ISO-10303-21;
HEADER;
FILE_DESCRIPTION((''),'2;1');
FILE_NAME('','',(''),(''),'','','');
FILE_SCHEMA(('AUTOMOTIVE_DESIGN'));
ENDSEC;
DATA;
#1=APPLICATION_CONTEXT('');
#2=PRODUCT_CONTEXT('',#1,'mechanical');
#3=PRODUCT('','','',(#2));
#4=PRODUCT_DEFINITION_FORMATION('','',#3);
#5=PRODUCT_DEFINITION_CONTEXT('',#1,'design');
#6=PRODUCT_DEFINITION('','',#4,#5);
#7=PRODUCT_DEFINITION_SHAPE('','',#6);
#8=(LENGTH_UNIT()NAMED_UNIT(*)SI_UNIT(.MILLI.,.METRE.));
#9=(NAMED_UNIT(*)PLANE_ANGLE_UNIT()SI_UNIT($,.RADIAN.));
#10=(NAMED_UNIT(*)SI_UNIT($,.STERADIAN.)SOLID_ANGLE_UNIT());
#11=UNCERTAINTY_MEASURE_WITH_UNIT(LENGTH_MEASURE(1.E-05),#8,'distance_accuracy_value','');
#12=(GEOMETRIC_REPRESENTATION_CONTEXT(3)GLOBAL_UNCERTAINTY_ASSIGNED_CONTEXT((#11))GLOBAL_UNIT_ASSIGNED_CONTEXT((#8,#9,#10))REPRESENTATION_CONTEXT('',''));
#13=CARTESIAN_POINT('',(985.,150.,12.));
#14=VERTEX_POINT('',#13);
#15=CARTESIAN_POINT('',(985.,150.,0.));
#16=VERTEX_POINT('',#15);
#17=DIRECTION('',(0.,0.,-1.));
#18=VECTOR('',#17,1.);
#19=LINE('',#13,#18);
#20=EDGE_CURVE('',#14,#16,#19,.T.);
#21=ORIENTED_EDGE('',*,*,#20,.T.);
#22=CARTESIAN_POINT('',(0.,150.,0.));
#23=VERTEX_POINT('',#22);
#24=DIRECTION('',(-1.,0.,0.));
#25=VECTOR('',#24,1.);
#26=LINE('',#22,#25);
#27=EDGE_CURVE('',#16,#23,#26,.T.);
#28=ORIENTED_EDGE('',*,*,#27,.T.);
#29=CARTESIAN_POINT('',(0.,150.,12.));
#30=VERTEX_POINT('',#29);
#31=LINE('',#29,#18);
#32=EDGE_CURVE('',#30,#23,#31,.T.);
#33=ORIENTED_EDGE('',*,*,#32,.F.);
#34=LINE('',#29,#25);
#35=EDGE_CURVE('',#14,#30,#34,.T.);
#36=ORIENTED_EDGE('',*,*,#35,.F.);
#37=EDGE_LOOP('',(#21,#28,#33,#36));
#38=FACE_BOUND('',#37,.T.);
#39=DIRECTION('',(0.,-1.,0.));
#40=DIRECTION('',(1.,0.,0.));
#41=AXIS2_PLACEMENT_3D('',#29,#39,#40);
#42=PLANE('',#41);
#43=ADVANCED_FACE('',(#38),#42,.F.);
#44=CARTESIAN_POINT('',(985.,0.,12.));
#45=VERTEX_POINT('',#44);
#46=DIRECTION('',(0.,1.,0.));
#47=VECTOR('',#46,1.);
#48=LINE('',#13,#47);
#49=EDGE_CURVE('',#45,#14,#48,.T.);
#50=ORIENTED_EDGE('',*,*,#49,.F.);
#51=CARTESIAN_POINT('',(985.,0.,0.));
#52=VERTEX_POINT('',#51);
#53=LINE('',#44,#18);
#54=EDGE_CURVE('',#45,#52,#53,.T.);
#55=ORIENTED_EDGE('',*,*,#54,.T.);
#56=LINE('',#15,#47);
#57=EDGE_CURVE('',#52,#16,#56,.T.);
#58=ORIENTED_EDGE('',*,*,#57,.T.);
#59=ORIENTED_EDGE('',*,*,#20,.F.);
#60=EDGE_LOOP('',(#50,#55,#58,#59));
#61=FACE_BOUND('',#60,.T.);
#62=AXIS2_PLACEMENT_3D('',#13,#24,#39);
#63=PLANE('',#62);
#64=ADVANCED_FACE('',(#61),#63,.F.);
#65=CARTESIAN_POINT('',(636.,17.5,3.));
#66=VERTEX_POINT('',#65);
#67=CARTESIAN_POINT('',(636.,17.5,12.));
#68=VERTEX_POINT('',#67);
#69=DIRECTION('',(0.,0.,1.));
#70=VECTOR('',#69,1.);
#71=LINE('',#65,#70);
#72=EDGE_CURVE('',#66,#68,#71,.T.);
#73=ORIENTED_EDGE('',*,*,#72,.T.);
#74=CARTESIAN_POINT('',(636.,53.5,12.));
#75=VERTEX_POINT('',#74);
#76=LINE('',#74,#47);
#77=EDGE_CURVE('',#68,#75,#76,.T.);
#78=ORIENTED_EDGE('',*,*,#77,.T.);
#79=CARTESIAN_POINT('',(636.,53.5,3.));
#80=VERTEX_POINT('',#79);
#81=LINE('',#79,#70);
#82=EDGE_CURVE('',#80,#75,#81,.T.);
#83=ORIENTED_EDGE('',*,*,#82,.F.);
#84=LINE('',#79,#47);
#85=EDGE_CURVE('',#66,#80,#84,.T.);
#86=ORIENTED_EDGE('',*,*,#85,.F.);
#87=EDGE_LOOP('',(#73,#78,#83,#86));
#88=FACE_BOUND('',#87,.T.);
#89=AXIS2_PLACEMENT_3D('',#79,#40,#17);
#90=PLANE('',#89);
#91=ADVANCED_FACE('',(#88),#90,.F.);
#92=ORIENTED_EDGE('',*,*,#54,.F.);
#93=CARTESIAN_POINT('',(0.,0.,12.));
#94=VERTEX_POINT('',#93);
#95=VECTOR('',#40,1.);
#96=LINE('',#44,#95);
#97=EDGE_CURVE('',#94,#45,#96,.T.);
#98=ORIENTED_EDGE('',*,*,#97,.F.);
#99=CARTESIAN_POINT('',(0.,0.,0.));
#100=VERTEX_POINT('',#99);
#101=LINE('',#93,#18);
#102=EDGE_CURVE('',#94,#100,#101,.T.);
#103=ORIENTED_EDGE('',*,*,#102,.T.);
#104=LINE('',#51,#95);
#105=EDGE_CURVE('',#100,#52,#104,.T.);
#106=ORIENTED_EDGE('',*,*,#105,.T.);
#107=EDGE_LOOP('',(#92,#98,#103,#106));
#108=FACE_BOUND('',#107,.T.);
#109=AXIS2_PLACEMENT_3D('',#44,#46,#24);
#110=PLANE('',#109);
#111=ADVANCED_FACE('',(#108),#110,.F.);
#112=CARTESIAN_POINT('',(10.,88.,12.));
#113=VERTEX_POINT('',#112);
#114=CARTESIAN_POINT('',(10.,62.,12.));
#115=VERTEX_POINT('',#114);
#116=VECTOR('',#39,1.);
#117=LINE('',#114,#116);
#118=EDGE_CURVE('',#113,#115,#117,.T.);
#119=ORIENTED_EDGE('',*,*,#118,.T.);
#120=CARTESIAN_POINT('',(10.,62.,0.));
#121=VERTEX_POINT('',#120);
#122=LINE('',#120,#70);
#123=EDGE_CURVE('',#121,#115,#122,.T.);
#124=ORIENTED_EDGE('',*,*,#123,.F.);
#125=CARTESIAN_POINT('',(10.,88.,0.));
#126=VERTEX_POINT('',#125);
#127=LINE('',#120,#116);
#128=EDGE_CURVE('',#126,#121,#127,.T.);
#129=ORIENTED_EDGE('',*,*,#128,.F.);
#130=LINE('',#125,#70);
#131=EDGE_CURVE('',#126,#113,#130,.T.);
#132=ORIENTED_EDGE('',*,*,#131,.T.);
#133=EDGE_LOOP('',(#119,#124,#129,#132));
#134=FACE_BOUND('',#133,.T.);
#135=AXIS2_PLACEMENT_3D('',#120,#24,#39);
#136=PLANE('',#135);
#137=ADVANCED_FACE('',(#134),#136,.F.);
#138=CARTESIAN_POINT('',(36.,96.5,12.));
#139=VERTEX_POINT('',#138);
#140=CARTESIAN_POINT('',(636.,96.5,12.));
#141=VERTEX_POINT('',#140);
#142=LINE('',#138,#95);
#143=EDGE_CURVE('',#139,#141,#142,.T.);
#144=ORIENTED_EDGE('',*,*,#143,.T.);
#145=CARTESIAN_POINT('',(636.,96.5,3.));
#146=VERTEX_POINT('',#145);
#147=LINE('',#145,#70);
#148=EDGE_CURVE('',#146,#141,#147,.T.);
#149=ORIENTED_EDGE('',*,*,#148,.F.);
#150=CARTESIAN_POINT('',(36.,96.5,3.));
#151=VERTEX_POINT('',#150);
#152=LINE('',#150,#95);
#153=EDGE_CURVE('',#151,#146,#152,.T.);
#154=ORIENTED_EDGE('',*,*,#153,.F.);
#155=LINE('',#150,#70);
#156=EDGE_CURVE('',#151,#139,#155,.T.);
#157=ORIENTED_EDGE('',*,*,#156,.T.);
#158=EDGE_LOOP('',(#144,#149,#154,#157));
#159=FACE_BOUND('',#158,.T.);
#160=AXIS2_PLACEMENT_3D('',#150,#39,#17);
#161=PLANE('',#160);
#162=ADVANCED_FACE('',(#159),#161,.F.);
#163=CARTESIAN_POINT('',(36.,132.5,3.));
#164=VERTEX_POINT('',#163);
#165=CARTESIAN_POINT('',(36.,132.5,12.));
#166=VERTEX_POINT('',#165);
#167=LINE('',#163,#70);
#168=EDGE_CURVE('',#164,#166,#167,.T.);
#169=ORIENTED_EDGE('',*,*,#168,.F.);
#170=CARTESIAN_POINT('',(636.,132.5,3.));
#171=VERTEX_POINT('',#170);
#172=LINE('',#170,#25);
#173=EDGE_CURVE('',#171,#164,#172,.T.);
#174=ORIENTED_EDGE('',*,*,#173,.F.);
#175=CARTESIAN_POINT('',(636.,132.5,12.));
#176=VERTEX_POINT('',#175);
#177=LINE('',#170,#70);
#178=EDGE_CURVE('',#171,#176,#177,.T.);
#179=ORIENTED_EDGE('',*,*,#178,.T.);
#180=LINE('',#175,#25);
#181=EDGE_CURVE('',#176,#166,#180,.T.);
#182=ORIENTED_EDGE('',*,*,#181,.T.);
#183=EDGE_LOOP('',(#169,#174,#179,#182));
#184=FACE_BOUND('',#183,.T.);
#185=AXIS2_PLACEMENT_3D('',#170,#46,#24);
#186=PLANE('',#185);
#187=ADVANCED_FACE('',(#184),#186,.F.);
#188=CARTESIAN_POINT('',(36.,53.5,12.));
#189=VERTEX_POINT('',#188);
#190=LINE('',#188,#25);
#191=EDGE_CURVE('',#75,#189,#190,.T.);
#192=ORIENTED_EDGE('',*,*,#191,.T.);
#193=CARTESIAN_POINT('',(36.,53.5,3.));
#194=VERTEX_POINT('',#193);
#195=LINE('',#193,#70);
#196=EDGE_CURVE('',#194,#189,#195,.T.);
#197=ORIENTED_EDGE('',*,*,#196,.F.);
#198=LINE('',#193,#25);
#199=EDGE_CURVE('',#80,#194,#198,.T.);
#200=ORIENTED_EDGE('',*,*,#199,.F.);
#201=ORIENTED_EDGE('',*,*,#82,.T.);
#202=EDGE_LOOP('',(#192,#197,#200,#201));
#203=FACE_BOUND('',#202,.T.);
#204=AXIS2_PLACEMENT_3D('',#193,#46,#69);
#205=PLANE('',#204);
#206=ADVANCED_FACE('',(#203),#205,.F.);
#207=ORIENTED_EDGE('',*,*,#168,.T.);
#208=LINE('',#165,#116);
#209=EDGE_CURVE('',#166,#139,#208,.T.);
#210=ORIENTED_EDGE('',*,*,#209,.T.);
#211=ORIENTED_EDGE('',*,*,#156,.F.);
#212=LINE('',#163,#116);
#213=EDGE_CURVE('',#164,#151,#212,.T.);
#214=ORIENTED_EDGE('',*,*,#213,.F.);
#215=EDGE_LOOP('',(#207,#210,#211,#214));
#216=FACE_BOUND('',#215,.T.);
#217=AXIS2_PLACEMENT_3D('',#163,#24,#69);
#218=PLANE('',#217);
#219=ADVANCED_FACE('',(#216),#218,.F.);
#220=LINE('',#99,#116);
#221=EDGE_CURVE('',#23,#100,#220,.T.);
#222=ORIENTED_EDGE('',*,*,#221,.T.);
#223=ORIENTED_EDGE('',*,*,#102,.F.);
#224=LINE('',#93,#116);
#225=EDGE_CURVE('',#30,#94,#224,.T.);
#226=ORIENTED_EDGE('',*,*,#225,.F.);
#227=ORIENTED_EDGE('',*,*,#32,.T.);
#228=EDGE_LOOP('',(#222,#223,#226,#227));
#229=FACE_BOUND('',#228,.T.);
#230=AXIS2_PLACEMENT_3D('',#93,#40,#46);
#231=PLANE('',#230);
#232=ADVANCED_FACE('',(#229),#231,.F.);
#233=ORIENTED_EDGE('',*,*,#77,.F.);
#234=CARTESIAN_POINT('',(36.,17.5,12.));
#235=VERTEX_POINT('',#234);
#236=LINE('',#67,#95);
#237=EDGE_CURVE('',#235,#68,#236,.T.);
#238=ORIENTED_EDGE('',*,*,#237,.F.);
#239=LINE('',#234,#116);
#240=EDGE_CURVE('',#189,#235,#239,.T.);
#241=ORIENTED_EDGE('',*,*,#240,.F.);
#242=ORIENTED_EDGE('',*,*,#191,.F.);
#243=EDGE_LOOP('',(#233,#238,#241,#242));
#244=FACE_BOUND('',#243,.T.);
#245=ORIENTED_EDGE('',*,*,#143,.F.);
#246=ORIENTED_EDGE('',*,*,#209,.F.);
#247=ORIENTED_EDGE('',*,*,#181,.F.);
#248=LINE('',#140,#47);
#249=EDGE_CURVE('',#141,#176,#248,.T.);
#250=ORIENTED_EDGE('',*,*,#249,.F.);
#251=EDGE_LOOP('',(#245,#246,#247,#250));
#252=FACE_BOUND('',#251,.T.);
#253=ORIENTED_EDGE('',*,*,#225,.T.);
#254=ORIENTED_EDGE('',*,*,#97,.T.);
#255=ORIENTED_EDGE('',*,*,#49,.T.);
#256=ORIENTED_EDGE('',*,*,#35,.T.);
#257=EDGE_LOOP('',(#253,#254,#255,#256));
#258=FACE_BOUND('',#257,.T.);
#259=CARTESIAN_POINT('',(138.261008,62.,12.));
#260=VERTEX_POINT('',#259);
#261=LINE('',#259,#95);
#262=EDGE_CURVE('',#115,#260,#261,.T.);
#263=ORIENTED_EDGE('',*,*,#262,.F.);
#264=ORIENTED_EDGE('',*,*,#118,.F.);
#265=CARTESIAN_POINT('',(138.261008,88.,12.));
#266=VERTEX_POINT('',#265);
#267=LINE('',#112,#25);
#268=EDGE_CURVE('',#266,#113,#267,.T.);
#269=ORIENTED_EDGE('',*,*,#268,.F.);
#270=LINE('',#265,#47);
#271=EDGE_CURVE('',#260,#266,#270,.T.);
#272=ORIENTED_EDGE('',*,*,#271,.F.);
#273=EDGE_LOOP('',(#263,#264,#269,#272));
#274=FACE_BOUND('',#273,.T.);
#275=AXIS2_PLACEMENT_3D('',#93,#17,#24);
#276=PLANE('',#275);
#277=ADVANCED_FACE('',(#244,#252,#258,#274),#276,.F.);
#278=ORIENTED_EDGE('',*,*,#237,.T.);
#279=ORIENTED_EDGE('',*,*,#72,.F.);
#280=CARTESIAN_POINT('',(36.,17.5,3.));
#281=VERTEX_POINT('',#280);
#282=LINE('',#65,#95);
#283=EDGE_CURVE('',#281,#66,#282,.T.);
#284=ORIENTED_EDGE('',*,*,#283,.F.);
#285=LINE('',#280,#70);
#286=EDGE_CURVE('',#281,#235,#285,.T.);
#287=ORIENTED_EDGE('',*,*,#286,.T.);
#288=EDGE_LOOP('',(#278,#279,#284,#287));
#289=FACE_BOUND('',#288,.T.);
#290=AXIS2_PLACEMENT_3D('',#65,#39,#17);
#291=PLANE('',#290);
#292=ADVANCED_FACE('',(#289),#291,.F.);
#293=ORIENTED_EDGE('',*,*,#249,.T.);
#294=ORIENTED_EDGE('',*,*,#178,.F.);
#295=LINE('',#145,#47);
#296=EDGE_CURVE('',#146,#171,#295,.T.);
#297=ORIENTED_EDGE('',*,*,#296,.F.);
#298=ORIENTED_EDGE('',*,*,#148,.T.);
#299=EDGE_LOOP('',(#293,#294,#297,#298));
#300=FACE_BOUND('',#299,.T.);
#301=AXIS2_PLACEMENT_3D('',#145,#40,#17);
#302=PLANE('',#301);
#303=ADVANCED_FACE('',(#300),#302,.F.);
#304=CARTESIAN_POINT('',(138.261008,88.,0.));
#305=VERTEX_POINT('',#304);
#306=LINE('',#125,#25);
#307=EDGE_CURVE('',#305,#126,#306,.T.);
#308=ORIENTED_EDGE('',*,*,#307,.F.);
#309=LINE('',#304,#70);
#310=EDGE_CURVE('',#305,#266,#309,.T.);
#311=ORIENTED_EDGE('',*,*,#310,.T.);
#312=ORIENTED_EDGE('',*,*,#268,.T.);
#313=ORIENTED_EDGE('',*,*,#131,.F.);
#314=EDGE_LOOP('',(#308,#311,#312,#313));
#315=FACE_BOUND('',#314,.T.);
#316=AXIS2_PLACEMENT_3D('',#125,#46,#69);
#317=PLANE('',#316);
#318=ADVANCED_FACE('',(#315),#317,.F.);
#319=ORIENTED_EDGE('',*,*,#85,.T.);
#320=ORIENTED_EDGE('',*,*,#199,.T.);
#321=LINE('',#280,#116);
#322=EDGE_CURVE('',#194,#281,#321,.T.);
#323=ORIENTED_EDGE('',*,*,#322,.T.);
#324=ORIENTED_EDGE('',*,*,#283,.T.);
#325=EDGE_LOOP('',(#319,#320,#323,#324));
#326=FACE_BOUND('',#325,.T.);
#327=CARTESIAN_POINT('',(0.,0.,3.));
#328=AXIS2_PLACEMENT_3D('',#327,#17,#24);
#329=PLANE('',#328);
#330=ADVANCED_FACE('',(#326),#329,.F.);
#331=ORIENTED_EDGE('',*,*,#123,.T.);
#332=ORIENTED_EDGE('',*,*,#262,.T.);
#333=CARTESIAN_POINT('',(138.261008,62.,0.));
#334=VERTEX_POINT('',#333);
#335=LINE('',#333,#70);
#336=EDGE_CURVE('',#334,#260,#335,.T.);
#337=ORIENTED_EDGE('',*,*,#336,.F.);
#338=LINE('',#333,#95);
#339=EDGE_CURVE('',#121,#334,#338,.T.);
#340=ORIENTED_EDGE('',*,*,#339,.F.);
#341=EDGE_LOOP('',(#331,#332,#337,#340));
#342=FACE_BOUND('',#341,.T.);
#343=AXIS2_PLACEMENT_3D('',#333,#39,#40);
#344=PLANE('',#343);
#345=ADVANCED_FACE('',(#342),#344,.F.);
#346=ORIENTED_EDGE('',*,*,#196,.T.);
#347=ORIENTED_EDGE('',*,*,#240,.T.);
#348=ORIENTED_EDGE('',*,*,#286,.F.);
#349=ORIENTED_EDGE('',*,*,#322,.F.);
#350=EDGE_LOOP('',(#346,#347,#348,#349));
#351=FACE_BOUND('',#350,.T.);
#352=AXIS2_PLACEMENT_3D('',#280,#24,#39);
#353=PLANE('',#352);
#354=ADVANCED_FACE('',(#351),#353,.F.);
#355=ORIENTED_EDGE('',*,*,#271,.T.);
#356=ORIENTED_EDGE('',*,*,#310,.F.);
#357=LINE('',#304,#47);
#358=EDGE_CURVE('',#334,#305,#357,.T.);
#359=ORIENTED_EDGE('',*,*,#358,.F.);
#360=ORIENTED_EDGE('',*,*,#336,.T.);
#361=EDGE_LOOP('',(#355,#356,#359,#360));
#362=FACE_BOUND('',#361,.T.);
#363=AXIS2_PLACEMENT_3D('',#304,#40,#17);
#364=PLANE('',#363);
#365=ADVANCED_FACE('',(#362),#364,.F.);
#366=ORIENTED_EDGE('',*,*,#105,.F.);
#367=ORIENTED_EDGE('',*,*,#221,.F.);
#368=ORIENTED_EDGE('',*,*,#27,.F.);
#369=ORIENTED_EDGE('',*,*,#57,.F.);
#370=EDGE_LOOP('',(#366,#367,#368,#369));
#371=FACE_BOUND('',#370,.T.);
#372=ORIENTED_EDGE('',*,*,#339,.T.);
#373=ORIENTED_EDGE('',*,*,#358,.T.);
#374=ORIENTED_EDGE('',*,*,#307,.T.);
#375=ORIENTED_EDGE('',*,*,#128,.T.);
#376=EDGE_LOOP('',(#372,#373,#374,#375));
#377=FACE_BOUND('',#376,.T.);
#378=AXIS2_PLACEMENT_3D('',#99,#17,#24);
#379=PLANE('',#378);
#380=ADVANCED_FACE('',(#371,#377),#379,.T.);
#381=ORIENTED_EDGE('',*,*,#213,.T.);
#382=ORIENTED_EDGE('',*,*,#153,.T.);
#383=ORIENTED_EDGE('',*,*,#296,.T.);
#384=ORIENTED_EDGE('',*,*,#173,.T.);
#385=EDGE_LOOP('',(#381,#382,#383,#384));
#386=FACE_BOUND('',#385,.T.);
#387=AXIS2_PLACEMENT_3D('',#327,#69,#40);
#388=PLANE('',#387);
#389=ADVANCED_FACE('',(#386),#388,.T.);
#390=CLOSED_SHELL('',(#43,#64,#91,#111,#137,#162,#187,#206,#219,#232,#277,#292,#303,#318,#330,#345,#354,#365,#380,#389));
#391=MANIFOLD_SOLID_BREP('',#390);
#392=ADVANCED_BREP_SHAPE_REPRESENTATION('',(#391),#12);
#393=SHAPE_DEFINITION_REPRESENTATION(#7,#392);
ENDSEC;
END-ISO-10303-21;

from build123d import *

# Parameters (mm, degrees)
CROQUIS1_W              = 985
CROQUIS1_H              = 150
SALIENTE_EXTRUIR1_DEPTH = 12
CROQUIS2_W              = 600
CROQUIS2_H              = 36
CORTAR_EXTRUIR1_DEPTH   = 9
CROQUIS3_W              = 128.261008082
CROQUIS3_H              = 26
CORTAR_EXTRUIR2_DEPTH   = 13


with BuildPart() as part:
    # Croquis1 → Saliente-Extruir1 (new body)
    with BuildSketch(Plane.XY):
        with Locations((492.5, 75)):
            Rectangle(CROQUIS1_W, CROQUIS1_H)
    extrude(amount=SALIENTE_EXTRUIR1_DEPTH)

    # Croquis2 → Cortar-Extruir1 (cut)
    with BuildSketch(Plane.XY.offset(12)):
        with Locations((336, 114.5)):
            Rectangle(CROQUIS2_W, CROQUIS2_H)
        with Locations((336, 35.5)):
            Rectangle(CROQUIS2_W, CROQUIS2_H)
    extrude(amount=-CORTAR_EXTRUIR1_DEPTH, mode=Mode.SUBTRACT)

    # Croquis3 → Cortar-Extruir2 (cut, through all)
    with BuildSketch(Plane.XY.offset(12)):
        with Locations((74.130504041, 75)):
            Rectangle(CROQUIS3_W, CROQUIS3_H)
    extrude(amount=-CORTAR_EXTRUIR2_DEPTH, mode=Mode.SUBTRACT)


solid = part.part
